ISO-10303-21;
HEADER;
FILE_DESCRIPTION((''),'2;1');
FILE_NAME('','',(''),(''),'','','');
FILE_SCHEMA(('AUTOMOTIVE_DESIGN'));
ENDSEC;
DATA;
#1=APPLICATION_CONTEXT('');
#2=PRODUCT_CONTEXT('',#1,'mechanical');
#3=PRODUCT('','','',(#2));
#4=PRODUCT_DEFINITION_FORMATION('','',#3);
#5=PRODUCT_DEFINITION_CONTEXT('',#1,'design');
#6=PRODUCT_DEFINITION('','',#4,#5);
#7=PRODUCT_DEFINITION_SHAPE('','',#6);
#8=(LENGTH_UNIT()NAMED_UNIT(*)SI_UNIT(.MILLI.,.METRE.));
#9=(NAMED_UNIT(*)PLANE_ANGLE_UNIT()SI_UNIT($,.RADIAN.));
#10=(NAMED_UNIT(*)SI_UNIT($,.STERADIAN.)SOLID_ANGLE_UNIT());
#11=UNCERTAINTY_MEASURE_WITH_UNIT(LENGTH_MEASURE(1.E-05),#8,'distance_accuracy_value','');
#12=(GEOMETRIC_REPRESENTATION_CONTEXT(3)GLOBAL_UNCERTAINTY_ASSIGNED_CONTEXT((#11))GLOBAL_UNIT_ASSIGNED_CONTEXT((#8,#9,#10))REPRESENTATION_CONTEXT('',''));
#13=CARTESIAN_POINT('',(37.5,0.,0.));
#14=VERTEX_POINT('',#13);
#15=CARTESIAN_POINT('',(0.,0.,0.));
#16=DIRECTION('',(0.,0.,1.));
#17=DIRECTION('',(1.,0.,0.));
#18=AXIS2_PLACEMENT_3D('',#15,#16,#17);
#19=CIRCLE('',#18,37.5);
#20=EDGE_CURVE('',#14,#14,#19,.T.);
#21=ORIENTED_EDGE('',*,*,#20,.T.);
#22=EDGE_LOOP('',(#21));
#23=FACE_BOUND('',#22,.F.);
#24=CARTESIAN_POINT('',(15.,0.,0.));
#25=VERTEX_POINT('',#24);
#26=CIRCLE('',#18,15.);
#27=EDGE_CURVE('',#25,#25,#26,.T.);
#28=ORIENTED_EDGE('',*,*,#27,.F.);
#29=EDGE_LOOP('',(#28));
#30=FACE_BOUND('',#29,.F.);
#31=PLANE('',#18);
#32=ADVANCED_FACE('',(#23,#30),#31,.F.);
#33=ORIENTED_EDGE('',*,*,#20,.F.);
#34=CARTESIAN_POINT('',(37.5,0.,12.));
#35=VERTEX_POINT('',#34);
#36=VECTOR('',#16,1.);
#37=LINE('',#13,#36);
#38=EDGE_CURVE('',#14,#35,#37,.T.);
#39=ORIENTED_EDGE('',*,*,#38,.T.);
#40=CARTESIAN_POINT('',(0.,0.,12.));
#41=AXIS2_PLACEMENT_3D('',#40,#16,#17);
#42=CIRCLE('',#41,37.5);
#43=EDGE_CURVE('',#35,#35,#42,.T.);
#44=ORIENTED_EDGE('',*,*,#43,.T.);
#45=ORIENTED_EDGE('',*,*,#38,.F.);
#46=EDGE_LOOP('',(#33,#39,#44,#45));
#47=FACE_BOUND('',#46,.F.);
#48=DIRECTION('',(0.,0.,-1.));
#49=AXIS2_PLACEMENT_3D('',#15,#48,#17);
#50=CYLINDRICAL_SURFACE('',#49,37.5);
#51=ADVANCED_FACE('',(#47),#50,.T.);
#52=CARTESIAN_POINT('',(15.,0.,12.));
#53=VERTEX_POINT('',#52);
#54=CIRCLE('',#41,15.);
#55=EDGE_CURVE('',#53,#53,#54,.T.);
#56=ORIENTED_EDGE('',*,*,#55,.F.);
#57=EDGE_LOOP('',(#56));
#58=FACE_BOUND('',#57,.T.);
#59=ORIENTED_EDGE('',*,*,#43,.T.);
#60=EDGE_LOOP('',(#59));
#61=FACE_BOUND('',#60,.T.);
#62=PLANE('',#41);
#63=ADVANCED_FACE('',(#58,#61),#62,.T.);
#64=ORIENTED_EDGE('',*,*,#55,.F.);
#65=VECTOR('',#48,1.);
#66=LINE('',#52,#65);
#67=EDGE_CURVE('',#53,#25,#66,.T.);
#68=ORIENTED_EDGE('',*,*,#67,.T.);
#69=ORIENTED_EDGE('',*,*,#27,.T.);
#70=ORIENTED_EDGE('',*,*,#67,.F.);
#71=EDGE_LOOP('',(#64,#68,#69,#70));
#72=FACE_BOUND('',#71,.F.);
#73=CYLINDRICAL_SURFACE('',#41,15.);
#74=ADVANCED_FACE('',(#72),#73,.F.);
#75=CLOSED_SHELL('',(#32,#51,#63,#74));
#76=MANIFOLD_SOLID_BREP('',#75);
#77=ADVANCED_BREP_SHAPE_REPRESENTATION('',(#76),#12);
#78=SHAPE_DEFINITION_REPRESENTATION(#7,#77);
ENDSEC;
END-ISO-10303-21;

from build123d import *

# Parameters (mm, degrees)
SKETCH_1_R     = 37.5
PAD_1_DEPTH    = 12
SKETCH_2_R     = 15
POCKET_2_DEPTH = 12.001


with BuildPart() as part:
    # Sketch_1 → Pad_1 (new body)
    with BuildSketch(Plane.XY):
        Circle(SKETCH_1_R)
    extrude(amount=PAD_1_DEPTH)

    # Sketch_2 (on Face3 of Pad_1) → Pocket_2 (cut, through all)
    with BuildSketch(Plane.XY.offset(12)):
        Circle(SKETCH_2_R)
    extrude(amount=-POCKET_2_DEPTH, mode=Mode.SUBTRACT)


solid = part.part
